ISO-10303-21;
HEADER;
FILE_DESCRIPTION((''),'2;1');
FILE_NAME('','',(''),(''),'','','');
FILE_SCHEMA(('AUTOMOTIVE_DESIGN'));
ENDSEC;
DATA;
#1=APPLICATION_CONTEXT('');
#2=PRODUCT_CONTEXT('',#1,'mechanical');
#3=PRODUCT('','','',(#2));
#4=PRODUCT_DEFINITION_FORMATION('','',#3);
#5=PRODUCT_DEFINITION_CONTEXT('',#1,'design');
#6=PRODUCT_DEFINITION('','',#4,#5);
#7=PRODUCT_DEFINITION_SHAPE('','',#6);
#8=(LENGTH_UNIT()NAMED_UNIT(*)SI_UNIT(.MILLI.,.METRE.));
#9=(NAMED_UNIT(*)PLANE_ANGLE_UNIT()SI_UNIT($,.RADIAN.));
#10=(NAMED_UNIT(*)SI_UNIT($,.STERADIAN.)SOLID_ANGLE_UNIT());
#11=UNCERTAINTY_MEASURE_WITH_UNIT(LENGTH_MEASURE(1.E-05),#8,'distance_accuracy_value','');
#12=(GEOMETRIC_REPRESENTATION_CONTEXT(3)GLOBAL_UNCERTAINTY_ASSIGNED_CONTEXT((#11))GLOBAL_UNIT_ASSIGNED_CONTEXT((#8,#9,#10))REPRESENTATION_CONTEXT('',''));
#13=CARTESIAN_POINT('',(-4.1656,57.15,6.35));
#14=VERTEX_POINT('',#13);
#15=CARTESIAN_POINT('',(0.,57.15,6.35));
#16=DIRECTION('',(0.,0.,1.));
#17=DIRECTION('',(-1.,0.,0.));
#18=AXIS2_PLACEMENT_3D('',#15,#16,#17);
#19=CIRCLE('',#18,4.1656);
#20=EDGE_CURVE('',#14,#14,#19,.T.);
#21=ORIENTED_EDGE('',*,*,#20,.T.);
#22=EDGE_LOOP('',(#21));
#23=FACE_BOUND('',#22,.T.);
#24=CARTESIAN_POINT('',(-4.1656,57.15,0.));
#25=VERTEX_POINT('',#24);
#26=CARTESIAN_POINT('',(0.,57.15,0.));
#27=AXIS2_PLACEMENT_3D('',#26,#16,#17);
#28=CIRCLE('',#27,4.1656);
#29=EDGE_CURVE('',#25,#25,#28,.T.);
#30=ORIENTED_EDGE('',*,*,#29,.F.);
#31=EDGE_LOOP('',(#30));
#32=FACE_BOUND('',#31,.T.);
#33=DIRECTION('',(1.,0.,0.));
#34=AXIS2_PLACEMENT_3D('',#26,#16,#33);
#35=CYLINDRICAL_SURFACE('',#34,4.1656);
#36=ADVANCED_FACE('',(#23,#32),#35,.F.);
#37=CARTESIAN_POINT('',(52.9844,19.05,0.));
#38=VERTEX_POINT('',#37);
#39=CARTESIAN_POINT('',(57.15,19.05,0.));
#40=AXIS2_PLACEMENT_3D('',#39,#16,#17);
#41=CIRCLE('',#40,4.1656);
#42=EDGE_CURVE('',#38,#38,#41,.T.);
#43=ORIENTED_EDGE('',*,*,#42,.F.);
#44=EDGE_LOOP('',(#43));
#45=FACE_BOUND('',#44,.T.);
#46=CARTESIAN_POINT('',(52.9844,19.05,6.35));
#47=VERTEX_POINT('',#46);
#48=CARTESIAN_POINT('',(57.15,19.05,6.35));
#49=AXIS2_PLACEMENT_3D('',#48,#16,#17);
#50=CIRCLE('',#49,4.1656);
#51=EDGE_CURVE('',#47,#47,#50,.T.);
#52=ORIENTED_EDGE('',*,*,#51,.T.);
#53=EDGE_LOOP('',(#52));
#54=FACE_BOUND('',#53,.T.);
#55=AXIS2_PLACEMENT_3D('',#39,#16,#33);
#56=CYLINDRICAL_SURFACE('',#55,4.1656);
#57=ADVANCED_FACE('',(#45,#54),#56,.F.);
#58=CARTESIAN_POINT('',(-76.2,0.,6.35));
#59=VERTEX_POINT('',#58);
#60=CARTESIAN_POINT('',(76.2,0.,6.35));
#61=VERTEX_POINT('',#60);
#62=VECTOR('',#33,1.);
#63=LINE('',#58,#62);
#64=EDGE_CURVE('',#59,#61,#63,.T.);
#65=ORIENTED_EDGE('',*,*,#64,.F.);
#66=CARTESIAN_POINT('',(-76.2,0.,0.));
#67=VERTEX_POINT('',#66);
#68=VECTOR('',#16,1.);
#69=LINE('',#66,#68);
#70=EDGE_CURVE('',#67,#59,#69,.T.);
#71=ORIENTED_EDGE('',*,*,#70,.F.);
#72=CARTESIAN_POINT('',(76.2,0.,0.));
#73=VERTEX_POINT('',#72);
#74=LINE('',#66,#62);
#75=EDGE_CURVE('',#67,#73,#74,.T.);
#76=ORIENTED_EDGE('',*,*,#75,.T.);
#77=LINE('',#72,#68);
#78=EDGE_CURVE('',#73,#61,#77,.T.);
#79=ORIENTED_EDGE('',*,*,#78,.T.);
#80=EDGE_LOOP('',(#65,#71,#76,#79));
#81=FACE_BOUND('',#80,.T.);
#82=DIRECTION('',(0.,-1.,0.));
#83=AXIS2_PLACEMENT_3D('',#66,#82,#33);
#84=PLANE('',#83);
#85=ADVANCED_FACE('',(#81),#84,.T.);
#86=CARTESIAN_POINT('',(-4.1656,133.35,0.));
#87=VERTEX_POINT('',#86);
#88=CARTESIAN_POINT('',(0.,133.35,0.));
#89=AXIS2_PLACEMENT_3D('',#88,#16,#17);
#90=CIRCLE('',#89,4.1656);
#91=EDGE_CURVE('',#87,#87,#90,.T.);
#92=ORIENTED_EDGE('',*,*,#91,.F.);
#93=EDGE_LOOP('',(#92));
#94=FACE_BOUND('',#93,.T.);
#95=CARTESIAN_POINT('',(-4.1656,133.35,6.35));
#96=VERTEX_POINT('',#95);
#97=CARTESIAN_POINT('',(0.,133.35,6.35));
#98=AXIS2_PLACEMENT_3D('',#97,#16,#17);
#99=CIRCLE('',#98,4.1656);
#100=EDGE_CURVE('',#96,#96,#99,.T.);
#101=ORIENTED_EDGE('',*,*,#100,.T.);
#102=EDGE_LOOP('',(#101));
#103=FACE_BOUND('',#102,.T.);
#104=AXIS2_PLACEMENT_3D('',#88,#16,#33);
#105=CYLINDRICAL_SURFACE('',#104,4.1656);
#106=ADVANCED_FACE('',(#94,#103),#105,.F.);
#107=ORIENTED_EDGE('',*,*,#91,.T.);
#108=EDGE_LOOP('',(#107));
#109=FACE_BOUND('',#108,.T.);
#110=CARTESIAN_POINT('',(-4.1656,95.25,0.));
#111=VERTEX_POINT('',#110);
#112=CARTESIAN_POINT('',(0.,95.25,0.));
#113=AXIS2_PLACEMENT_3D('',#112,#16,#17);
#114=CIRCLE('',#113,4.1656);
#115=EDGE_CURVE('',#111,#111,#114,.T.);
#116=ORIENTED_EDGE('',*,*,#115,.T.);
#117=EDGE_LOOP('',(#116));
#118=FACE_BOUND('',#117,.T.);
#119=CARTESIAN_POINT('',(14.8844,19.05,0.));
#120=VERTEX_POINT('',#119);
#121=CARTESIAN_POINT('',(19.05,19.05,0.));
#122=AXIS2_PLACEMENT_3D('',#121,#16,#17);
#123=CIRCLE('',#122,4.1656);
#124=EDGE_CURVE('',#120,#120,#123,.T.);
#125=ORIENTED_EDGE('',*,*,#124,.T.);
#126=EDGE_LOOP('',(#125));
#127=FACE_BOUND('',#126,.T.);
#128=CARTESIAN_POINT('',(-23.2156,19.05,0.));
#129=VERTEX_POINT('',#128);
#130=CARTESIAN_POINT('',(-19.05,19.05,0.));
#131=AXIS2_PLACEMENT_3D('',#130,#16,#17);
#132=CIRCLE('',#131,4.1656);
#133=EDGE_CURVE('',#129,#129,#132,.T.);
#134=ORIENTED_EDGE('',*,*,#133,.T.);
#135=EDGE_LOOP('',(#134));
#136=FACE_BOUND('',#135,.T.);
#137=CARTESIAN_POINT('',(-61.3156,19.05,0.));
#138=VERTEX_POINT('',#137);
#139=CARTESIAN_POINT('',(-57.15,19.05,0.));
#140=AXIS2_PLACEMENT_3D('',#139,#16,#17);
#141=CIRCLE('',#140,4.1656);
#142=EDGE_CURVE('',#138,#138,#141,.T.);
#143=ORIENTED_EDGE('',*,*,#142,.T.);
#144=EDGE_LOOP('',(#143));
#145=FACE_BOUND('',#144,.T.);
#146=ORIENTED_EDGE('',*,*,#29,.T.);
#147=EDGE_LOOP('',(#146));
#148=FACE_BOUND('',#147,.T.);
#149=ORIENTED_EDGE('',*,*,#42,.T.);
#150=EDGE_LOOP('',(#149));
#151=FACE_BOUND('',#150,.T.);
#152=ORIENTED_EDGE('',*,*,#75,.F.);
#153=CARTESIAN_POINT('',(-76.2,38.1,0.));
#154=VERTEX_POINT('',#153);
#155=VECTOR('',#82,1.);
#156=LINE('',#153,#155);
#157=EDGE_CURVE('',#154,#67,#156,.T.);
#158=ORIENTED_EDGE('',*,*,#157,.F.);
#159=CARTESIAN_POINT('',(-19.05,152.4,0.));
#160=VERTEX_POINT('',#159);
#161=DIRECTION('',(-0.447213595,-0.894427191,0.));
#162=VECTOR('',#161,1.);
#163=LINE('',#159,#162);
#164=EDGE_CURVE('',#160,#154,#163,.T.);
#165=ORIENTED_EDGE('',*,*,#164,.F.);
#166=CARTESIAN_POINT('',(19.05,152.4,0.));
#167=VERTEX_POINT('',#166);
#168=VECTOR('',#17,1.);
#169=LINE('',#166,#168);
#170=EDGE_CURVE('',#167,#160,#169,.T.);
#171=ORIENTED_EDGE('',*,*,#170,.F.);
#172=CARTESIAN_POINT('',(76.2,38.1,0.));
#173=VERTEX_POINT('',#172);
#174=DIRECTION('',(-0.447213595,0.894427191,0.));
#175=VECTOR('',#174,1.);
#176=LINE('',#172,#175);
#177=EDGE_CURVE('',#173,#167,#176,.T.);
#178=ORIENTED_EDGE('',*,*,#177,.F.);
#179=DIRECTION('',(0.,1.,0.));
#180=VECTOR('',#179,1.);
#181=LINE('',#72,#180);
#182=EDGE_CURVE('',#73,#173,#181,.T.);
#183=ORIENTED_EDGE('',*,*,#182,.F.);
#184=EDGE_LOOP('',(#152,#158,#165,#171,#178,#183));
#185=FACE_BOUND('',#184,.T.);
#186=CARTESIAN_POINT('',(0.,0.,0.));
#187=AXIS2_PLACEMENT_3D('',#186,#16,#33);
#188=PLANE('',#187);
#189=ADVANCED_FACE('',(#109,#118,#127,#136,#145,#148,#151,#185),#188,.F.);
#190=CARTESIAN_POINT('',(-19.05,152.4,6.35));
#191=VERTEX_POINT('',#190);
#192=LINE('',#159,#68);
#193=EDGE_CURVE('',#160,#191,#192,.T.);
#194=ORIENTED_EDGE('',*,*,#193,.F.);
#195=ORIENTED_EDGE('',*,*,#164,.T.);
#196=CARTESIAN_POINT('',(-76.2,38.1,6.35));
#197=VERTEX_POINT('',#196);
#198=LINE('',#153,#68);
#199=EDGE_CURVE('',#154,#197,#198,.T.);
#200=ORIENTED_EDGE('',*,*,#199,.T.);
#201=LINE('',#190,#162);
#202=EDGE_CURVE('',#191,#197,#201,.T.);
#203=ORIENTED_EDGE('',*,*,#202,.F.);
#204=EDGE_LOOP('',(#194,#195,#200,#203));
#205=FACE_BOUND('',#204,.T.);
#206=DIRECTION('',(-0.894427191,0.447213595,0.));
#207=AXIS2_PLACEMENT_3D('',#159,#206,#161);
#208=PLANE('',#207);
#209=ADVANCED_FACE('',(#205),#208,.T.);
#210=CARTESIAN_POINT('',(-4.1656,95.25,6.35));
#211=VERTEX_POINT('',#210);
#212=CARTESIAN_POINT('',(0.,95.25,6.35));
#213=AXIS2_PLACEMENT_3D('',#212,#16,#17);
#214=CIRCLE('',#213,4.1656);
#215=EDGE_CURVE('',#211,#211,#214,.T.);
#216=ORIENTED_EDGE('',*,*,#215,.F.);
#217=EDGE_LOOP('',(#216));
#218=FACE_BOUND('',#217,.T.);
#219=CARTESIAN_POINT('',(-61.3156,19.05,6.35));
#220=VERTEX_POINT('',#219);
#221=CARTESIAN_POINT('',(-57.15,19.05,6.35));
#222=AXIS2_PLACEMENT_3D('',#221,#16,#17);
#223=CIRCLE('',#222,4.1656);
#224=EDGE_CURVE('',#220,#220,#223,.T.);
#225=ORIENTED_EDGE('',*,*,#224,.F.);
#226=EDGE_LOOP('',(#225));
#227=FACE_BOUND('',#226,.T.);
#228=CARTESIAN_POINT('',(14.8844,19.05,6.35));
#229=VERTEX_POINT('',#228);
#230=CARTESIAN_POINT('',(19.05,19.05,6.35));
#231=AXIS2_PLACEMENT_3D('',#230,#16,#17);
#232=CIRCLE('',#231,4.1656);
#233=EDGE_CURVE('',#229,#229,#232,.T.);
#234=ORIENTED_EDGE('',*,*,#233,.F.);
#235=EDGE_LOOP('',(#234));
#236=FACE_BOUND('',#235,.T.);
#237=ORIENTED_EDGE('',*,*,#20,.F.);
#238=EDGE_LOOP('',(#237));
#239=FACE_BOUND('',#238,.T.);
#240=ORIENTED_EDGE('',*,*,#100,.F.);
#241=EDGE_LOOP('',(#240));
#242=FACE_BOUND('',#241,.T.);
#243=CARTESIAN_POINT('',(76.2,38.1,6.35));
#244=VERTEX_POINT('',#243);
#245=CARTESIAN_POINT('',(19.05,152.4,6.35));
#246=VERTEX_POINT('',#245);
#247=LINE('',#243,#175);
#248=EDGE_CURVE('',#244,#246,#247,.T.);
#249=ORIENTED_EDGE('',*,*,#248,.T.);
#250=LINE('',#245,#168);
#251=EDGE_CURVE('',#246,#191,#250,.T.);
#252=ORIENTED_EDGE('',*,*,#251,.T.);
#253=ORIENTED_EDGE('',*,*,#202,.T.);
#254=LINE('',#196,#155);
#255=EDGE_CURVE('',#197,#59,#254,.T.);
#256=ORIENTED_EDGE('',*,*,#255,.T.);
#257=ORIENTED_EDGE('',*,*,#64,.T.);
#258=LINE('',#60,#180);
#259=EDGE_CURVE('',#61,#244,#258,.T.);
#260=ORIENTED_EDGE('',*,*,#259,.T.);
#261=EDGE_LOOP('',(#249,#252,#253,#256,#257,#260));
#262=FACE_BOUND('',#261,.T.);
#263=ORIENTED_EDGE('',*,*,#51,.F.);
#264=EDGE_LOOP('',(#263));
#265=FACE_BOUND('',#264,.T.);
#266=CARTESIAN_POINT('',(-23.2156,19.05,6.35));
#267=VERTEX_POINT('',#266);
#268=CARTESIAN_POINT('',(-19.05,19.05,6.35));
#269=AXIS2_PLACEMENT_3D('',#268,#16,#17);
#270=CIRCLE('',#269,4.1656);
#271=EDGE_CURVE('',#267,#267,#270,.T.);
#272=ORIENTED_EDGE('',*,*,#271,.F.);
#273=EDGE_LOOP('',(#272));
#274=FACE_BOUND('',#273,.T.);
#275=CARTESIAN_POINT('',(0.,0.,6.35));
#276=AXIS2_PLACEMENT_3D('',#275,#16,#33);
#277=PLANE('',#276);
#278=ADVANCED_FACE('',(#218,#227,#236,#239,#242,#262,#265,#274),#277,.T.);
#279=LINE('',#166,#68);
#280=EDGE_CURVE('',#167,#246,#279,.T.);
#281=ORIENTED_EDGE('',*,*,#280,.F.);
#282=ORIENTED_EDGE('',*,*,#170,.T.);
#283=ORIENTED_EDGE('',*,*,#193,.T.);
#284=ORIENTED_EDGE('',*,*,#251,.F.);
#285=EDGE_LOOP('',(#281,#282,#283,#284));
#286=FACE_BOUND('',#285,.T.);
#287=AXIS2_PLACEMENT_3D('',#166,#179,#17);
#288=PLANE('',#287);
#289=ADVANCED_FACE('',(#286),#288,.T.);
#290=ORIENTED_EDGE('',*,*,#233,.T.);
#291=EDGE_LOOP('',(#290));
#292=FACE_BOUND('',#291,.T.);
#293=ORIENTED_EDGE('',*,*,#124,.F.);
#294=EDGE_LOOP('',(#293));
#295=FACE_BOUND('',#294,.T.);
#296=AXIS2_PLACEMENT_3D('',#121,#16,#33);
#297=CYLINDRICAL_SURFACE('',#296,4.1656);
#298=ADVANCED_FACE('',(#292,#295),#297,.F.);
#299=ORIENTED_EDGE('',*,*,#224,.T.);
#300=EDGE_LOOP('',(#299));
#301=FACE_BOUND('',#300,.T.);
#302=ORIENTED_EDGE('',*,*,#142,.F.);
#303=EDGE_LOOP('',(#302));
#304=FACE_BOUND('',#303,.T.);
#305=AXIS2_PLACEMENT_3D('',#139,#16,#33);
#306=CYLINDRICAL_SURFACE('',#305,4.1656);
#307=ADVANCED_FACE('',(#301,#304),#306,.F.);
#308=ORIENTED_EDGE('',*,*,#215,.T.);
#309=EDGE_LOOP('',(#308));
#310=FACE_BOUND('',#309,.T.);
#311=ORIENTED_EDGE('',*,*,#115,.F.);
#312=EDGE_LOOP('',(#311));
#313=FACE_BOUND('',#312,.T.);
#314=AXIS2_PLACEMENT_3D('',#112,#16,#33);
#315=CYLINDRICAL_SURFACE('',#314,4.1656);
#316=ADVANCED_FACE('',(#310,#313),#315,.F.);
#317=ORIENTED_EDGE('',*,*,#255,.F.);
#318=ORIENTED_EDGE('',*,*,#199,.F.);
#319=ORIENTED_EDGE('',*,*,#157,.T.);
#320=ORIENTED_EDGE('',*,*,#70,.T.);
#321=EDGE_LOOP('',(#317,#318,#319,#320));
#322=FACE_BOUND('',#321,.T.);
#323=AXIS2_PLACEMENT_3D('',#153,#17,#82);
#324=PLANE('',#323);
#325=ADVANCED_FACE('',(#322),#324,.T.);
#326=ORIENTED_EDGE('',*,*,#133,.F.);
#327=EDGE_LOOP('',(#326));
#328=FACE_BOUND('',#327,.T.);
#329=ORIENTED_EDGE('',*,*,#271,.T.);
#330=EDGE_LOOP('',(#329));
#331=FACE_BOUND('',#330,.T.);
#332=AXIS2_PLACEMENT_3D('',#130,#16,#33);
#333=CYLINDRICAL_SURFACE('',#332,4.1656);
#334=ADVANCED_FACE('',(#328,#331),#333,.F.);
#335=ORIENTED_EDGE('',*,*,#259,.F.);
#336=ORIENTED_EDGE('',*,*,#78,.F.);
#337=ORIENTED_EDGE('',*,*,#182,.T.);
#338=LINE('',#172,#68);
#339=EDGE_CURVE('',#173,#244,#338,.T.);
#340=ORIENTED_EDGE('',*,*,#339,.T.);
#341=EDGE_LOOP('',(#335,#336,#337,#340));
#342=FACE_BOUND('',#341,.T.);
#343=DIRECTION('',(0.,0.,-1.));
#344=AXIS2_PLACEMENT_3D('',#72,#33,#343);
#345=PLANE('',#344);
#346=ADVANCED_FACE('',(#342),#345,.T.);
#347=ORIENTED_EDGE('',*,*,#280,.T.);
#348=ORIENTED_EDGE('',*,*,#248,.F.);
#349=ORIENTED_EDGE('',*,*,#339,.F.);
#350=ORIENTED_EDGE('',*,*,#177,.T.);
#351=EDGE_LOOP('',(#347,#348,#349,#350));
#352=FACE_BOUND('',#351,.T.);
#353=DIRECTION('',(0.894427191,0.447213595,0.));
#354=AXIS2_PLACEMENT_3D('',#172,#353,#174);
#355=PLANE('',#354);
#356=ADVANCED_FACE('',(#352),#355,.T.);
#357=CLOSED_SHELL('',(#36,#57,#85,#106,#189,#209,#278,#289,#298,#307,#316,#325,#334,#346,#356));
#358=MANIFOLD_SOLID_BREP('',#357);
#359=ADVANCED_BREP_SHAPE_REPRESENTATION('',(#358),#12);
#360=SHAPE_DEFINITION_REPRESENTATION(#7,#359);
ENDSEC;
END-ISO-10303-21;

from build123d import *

# Parameters (mm, degrees)
SKETCH1_R           = 4.1656
BOSS_EXTRUDE1_DEPTH = 6.35


with BuildPart() as part:
    # Sketch1 → Boss-Extrude1 (new body)
    with BuildSketch(Plane.XY.offset(6.35)):
        Polygon((-19.05, 152.4), (-76.2, 38.1), (-76.2, 0), (76.2, 0), (76.2, 38.1), (19.05, 152.4), align=None)
        with Locations((-57.15, 19.05)):
            Circle(SKETCH1_R, mode=Mode.SUBTRACT)
        with Locations((-19.05, 19.05)):
            Circle(SKETCH1_R, mode=Mode.SUBTRACT)
        with Locations((0, 133.35)):
            Circle(SKETCH1_R, mode=Mode.SUBTRACT)
        with Locations((0, 95.25)):
            Circle(SKETCH1_R, mode=Mode.SUBTRACT)
        with Locations((0, 57.15)):
            Circle(SKETCH1_R, mode=Mode.SUBTRACT)
        with Locations((19.05, 19.05)):
            Circle(SKETCH1_R, mode=Mode.SUBTRACT)
        with Locations((57.15, 19.05)):
            Circle(SKETCH1_R, mode=Mode.SUBTRACT)
    extrude(amount=-BOSS_EXTRUDE1_DEPTH)


solid = part.part
